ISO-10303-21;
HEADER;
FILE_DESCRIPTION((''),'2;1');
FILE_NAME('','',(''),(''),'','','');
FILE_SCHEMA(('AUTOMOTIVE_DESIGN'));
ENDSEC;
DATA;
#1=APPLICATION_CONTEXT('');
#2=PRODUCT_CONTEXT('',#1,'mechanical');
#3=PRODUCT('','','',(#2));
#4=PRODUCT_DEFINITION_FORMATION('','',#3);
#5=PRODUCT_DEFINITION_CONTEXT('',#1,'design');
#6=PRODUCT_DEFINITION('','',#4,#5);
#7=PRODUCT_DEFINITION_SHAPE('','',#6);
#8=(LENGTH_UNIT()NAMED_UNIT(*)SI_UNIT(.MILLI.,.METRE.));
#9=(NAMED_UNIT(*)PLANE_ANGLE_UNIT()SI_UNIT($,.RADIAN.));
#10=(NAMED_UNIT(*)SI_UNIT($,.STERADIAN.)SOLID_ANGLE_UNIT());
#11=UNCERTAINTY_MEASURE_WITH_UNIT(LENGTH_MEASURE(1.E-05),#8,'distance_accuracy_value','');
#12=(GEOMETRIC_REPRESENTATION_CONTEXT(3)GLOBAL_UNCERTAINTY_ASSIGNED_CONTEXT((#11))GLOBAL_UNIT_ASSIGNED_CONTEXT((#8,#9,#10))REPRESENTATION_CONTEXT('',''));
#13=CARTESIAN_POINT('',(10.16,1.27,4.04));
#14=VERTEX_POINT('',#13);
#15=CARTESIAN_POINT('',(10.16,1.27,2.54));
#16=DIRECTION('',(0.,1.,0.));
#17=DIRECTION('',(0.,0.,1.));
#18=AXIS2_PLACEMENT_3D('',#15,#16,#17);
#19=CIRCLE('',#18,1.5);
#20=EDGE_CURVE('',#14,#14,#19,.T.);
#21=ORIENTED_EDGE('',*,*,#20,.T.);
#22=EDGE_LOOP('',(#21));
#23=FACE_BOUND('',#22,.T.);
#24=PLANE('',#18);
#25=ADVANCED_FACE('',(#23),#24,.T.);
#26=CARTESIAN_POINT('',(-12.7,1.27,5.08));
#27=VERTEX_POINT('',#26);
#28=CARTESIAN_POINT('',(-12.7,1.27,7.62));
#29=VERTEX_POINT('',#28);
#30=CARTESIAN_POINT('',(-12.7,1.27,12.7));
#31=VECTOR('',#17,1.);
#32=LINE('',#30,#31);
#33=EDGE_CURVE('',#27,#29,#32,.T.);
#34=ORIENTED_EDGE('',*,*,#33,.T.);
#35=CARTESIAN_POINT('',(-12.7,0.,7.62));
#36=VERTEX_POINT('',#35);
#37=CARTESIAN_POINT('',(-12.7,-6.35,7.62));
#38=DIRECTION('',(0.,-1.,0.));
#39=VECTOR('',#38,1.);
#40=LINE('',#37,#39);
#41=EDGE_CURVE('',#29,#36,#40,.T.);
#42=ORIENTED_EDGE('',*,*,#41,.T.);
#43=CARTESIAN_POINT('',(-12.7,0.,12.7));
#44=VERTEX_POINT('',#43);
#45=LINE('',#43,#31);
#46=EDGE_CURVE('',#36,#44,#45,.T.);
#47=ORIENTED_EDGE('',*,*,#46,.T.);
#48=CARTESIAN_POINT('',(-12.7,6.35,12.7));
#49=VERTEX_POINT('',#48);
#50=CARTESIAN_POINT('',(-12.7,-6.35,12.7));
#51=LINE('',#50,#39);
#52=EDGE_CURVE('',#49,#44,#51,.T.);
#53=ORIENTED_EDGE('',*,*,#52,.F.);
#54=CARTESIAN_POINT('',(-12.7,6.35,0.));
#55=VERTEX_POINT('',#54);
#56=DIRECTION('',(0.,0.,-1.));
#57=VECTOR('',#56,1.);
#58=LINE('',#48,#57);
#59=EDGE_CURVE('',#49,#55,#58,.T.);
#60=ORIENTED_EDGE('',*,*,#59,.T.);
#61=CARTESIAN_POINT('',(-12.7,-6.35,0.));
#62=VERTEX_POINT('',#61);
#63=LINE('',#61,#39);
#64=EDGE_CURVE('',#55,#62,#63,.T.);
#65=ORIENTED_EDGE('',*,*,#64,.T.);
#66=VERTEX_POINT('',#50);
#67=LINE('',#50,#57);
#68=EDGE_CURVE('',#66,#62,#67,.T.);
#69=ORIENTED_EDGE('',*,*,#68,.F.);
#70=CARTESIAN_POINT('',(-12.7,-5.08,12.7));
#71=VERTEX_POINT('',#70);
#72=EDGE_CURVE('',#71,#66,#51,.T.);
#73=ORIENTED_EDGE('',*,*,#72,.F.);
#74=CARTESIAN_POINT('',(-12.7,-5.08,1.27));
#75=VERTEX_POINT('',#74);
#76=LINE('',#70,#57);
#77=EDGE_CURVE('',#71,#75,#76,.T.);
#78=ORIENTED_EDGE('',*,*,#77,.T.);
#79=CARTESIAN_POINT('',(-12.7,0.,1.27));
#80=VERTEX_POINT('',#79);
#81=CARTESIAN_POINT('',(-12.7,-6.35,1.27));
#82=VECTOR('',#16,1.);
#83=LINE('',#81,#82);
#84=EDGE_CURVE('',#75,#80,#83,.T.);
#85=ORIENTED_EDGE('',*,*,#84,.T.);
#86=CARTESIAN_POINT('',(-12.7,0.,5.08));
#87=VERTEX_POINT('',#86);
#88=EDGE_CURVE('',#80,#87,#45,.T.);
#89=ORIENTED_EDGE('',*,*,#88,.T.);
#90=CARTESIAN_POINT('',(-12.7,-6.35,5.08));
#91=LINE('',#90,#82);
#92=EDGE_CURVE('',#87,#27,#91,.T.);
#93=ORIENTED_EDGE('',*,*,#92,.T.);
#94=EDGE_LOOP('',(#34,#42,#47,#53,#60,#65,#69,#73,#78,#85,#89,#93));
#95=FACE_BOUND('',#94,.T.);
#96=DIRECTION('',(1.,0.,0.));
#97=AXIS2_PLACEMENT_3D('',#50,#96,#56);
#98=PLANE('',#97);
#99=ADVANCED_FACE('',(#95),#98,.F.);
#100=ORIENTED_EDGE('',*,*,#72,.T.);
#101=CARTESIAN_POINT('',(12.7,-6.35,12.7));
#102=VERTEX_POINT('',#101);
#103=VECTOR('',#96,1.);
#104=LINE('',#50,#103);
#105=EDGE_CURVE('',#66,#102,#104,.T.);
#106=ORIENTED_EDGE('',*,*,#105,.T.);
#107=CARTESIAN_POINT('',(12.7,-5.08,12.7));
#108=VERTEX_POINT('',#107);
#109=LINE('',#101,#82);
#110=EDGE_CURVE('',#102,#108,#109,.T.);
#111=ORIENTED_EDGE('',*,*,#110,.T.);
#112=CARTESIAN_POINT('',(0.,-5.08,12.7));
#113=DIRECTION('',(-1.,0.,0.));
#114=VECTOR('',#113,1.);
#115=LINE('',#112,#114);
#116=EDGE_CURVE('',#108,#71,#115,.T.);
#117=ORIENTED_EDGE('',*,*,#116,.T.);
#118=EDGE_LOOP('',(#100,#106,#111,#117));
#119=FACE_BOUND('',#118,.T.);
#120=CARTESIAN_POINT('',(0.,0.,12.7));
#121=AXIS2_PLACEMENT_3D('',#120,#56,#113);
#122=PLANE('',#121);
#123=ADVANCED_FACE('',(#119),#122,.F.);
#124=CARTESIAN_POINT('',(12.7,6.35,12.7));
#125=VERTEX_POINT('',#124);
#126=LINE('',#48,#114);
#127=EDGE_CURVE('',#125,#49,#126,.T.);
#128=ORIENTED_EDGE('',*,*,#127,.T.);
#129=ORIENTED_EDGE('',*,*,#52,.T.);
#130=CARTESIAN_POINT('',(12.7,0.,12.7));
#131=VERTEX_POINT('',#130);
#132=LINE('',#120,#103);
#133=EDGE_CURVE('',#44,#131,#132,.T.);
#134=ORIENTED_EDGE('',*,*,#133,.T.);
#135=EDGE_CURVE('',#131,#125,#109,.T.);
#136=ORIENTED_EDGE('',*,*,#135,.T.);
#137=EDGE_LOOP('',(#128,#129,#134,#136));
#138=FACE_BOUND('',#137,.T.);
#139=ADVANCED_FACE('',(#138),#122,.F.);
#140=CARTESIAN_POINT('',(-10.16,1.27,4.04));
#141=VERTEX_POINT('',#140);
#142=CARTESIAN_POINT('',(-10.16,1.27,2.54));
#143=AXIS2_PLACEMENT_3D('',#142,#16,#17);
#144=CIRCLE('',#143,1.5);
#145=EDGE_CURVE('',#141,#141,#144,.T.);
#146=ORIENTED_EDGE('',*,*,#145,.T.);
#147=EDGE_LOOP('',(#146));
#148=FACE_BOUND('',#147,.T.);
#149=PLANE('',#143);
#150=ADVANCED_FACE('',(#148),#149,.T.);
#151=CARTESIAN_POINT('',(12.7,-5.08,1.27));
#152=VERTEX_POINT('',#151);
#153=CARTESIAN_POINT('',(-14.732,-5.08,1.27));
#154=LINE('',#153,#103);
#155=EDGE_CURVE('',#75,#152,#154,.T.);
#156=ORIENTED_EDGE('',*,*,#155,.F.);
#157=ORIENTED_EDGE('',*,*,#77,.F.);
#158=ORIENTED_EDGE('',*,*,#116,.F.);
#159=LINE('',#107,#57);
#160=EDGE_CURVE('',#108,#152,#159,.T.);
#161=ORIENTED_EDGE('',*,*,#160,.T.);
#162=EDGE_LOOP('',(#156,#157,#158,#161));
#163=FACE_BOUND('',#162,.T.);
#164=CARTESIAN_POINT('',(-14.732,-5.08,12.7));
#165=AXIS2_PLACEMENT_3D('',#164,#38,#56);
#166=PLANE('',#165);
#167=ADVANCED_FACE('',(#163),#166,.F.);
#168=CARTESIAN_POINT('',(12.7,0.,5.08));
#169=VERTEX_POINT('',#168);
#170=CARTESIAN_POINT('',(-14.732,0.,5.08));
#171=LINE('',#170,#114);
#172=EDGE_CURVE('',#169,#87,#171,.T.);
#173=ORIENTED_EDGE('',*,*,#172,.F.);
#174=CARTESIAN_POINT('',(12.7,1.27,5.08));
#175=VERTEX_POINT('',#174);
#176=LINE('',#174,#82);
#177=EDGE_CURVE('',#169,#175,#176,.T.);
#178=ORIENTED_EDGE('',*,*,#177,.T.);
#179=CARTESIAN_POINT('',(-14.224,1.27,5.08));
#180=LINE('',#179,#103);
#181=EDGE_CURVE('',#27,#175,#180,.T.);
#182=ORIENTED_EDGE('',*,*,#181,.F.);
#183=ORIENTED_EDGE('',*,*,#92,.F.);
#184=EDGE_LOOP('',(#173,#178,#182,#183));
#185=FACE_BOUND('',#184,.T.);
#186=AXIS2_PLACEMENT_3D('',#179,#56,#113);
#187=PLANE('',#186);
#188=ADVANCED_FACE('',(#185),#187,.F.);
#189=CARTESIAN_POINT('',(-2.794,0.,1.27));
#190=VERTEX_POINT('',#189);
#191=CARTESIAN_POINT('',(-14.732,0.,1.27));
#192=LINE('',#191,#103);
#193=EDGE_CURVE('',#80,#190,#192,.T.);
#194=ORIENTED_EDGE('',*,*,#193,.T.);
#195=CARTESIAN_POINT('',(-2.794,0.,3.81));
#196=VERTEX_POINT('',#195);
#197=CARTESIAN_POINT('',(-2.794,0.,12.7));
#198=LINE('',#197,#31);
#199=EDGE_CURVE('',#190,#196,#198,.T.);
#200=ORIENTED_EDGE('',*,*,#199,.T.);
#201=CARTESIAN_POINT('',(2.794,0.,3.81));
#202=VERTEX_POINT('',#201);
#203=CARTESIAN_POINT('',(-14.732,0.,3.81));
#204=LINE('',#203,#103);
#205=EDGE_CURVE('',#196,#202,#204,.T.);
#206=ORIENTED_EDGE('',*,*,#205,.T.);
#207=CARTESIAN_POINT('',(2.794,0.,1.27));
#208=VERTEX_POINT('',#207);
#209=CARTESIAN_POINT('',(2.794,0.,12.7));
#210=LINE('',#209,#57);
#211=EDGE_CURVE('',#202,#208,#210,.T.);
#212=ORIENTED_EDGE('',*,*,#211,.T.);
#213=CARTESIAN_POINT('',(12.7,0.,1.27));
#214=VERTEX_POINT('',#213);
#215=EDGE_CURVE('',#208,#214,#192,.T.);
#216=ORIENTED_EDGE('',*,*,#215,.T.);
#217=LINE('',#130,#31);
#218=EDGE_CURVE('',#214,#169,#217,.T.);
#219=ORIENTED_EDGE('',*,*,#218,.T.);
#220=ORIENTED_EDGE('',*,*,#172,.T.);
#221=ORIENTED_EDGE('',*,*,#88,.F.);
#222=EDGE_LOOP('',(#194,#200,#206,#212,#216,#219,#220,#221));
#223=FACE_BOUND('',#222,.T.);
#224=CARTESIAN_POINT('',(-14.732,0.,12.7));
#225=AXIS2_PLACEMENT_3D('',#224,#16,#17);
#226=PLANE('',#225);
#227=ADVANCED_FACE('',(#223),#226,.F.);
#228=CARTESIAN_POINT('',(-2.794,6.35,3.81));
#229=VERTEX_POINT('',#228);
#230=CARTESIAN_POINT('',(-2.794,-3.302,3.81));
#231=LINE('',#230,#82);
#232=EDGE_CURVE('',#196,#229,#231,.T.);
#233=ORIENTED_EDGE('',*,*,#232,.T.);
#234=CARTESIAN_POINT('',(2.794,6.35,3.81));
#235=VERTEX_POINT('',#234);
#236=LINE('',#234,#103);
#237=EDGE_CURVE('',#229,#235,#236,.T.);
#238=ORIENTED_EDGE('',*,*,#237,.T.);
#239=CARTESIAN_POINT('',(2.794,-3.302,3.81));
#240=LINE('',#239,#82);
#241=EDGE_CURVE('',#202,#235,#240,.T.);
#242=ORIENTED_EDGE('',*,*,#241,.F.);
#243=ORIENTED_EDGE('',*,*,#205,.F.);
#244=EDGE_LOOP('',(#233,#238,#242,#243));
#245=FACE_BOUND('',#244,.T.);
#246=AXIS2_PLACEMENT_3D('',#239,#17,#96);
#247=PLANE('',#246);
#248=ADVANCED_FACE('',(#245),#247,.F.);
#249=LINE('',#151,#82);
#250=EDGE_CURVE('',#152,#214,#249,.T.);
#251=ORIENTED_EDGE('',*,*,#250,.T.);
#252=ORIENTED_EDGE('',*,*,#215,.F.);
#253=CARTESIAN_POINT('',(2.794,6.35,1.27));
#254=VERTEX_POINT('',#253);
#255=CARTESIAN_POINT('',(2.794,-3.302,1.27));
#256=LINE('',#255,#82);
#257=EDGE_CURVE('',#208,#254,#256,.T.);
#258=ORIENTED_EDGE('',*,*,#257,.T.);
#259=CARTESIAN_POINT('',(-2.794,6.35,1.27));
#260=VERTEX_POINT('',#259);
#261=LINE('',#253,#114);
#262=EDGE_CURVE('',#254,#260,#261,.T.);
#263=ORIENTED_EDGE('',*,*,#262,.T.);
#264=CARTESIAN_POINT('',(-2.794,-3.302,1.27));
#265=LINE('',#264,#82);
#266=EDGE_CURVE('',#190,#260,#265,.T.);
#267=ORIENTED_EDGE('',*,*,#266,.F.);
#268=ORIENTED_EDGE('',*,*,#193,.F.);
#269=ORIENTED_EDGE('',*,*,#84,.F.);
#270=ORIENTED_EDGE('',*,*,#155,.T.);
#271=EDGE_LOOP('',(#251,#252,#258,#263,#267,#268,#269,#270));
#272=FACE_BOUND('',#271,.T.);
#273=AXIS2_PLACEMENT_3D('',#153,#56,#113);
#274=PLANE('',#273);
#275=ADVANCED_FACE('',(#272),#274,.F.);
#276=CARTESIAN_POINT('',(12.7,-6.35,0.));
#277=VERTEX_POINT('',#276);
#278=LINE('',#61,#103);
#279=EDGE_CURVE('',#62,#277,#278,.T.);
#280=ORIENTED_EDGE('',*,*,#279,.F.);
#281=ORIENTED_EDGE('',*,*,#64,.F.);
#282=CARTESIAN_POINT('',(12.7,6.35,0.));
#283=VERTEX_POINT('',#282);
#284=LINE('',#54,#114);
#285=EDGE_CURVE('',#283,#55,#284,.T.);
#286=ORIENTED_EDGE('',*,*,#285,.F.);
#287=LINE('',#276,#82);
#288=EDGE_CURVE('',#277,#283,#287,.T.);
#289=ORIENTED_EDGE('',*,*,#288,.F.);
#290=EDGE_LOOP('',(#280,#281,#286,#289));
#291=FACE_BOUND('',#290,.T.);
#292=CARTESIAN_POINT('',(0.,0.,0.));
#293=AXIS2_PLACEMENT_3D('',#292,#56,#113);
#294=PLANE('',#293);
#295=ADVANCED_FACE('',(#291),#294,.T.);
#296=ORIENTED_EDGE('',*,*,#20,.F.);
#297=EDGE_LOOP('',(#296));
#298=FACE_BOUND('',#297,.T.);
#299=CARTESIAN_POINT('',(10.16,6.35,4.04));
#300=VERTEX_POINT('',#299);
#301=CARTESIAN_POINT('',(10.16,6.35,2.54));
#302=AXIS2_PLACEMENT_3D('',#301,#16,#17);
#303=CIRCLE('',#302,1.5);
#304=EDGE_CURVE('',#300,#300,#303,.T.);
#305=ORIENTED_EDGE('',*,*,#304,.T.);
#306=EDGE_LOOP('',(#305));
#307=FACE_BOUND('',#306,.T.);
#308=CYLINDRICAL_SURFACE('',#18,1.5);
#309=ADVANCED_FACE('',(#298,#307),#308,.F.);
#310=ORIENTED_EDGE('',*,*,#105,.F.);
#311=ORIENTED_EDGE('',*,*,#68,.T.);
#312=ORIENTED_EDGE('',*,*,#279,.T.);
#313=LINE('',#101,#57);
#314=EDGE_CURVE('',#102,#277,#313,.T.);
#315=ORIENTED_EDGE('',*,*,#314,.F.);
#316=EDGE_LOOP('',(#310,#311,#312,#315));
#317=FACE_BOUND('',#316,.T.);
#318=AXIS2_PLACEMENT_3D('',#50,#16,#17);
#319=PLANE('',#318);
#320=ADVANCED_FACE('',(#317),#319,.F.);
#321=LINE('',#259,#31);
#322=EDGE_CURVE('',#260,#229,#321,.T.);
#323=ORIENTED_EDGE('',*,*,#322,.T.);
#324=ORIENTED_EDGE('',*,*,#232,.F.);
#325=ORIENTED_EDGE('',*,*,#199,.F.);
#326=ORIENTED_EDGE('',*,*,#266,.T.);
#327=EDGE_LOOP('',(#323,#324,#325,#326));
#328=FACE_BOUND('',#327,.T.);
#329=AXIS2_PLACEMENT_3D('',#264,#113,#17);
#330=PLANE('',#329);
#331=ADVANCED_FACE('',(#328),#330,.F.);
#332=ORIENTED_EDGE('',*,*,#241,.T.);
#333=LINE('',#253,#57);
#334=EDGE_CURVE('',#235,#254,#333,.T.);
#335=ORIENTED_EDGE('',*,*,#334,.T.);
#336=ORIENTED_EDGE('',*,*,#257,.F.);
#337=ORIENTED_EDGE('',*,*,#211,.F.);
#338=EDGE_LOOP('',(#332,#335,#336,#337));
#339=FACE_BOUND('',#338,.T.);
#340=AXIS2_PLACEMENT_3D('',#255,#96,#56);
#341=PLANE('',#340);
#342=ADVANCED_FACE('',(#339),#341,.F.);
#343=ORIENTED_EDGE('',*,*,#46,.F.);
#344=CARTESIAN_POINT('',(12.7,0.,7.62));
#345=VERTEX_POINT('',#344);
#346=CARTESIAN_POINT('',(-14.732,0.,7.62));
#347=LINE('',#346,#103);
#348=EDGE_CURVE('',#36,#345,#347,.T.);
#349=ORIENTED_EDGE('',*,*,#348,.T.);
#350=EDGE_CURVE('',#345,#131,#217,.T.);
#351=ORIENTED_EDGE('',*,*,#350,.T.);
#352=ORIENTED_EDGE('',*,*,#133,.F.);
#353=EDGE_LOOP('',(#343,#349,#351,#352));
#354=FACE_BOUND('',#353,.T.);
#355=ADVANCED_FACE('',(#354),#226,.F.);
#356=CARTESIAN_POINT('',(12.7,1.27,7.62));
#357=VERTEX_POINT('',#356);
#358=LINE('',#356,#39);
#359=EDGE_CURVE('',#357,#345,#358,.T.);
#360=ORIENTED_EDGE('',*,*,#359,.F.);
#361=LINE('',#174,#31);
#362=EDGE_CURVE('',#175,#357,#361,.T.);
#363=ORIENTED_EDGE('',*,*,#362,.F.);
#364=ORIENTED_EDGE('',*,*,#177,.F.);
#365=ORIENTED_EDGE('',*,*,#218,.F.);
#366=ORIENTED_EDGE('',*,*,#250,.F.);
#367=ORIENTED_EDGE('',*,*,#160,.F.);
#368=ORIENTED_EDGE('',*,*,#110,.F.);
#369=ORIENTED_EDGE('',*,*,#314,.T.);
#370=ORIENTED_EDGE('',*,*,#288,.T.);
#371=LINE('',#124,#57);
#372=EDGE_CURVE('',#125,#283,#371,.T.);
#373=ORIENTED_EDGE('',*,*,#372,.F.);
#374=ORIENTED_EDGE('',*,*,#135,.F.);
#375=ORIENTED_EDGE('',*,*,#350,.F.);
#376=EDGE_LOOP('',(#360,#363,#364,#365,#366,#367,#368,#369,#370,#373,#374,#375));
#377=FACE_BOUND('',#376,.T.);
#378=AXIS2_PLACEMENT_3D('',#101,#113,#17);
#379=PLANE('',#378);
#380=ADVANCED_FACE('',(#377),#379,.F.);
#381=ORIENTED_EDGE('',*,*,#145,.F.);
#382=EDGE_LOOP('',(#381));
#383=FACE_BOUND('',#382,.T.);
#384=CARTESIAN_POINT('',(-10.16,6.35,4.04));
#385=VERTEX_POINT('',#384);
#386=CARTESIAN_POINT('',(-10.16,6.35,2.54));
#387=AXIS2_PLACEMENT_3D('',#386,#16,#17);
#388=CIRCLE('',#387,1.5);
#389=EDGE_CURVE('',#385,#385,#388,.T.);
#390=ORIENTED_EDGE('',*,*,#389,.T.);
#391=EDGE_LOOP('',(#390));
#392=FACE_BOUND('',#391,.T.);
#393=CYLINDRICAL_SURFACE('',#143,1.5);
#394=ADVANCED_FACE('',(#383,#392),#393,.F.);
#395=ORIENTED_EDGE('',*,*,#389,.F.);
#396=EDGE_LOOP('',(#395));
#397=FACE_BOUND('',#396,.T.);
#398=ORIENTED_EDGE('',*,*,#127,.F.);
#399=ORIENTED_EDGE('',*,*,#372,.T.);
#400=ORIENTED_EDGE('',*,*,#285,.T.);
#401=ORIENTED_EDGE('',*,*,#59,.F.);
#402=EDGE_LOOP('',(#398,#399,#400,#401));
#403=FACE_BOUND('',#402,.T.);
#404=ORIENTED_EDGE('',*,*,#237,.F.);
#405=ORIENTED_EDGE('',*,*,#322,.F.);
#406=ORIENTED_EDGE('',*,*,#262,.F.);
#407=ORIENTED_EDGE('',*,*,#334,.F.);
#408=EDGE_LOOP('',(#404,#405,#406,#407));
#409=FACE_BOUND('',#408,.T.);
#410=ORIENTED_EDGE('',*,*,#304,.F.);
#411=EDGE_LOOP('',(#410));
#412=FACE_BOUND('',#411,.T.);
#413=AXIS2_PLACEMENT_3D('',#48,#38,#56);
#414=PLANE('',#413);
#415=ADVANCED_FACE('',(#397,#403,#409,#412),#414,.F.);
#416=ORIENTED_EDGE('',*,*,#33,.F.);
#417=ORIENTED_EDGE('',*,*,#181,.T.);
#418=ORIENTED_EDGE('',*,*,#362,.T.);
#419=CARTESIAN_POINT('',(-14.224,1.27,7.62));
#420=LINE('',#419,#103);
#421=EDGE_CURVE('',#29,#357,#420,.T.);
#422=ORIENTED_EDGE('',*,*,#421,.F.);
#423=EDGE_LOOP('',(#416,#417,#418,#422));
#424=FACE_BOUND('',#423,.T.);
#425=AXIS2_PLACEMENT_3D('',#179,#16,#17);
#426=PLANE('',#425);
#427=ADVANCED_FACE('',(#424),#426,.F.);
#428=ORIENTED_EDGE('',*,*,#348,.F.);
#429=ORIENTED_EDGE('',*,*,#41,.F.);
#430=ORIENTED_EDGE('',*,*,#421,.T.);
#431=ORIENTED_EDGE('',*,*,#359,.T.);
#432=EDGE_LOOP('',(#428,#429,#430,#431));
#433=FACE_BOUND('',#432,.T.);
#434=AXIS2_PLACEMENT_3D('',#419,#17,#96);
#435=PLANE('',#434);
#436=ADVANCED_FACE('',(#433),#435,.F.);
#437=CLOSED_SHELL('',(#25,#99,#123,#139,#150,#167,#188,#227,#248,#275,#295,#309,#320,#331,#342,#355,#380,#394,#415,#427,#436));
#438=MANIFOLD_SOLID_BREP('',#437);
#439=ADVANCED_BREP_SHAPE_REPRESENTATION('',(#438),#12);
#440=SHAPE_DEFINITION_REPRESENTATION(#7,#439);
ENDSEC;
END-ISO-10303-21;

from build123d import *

# Parameters (mm, degrees)
SKETCH1_W           = 25.4
SKETCH1_H           = 12.7
BOSS_EXTRUDE1_DEPTH = 12.7
SKETCH2_R           = 1.5
CUT_EXTRUDE1_DEPTH  = 5.08
SKETCH4_W           = 11.43
SKETCH4_H           = 5.08
CUT_EXTRUDE3_DEPTH  = 27.432
SKETCH6_W           = 5.588
SKETCH6_H           = 2.54
CUT_EXTRUDE5_DEPTH  = 9.652
SKETCH7_W           = 2.54
SKETCH7_H           = 1.27
CUT_EXTRUDE6_DEPTH  = 26.924


with BuildPart() as part:
    # Sketch1 → Boss-Extrude1 (new body)
    with BuildSketch(Plane.XY):
        Rectangle(SKETCH1_W, SKETCH1_H)
    extrude(amount=BOSS_EXTRUDE1_DEPTH)

    # Sketch2 → Cut-Extrude1 (cut)
    with BuildSketch(Plane(origin=(0, 6.35, 0), x_dir=(1, 0, 0), z_dir=(0, 1, 0))):
        with Locations(Location((-10.16, -2.54, 0), (0, 0, 270))):
            Circle(SKETCH2_R)
        with Locations(Location((10.16, -2.54, 0), (0, 0, 270))):
            Circle(SKETCH2_R)
    extrude(amount=-CUT_EXTRUDE1_DEPTH, mode=Mode.SUBTRACT)

    # Sketch4 → Cut-Extrude3 (cut)
    with BuildSketch(Plane(origin=(12.7, 0, 0), x_dir=(0, 0, -1), z_dir=(1, 0, 0))):
        with Locations((-6.985, -2.54)):
            Rectangle(SKETCH4_W, SKETCH4_H)
    extrude(amount=-CUT_EXTRUDE3_DEPTH, mode=Mode.SUBTRACT)

    # Sketch6 → Cut-Extrude5 (cut)
    with BuildSketch(Plane(origin=(0, 6.35, 0), x_dir=(1, 0, 0), z_dir=(0, 1, 0))):
        with Locations((0, -2.54)):
            Rectangle(SKETCH6_W, SKETCH6_H)
    extrude(amount=-CUT_EXTRUDE5_DEPTH, mode=Mode.SUBTRACT)

    # Sketch7 → Cut-Extrude6 (cut)
    with BuildSketch(Plane(origin=(12.7, 0, 0), x_dir=(0, 0, -1), z_dir=(1, 0, 0))):
        with Locations((-6.35, 0.635)):
            Rectangle(SKETCH7_W, SKETCH7_H)
    extrude(amount=-CUT_EXTRUDE6_DEPTH, mode=Mode.SUBTRACT)


solid = part.part
